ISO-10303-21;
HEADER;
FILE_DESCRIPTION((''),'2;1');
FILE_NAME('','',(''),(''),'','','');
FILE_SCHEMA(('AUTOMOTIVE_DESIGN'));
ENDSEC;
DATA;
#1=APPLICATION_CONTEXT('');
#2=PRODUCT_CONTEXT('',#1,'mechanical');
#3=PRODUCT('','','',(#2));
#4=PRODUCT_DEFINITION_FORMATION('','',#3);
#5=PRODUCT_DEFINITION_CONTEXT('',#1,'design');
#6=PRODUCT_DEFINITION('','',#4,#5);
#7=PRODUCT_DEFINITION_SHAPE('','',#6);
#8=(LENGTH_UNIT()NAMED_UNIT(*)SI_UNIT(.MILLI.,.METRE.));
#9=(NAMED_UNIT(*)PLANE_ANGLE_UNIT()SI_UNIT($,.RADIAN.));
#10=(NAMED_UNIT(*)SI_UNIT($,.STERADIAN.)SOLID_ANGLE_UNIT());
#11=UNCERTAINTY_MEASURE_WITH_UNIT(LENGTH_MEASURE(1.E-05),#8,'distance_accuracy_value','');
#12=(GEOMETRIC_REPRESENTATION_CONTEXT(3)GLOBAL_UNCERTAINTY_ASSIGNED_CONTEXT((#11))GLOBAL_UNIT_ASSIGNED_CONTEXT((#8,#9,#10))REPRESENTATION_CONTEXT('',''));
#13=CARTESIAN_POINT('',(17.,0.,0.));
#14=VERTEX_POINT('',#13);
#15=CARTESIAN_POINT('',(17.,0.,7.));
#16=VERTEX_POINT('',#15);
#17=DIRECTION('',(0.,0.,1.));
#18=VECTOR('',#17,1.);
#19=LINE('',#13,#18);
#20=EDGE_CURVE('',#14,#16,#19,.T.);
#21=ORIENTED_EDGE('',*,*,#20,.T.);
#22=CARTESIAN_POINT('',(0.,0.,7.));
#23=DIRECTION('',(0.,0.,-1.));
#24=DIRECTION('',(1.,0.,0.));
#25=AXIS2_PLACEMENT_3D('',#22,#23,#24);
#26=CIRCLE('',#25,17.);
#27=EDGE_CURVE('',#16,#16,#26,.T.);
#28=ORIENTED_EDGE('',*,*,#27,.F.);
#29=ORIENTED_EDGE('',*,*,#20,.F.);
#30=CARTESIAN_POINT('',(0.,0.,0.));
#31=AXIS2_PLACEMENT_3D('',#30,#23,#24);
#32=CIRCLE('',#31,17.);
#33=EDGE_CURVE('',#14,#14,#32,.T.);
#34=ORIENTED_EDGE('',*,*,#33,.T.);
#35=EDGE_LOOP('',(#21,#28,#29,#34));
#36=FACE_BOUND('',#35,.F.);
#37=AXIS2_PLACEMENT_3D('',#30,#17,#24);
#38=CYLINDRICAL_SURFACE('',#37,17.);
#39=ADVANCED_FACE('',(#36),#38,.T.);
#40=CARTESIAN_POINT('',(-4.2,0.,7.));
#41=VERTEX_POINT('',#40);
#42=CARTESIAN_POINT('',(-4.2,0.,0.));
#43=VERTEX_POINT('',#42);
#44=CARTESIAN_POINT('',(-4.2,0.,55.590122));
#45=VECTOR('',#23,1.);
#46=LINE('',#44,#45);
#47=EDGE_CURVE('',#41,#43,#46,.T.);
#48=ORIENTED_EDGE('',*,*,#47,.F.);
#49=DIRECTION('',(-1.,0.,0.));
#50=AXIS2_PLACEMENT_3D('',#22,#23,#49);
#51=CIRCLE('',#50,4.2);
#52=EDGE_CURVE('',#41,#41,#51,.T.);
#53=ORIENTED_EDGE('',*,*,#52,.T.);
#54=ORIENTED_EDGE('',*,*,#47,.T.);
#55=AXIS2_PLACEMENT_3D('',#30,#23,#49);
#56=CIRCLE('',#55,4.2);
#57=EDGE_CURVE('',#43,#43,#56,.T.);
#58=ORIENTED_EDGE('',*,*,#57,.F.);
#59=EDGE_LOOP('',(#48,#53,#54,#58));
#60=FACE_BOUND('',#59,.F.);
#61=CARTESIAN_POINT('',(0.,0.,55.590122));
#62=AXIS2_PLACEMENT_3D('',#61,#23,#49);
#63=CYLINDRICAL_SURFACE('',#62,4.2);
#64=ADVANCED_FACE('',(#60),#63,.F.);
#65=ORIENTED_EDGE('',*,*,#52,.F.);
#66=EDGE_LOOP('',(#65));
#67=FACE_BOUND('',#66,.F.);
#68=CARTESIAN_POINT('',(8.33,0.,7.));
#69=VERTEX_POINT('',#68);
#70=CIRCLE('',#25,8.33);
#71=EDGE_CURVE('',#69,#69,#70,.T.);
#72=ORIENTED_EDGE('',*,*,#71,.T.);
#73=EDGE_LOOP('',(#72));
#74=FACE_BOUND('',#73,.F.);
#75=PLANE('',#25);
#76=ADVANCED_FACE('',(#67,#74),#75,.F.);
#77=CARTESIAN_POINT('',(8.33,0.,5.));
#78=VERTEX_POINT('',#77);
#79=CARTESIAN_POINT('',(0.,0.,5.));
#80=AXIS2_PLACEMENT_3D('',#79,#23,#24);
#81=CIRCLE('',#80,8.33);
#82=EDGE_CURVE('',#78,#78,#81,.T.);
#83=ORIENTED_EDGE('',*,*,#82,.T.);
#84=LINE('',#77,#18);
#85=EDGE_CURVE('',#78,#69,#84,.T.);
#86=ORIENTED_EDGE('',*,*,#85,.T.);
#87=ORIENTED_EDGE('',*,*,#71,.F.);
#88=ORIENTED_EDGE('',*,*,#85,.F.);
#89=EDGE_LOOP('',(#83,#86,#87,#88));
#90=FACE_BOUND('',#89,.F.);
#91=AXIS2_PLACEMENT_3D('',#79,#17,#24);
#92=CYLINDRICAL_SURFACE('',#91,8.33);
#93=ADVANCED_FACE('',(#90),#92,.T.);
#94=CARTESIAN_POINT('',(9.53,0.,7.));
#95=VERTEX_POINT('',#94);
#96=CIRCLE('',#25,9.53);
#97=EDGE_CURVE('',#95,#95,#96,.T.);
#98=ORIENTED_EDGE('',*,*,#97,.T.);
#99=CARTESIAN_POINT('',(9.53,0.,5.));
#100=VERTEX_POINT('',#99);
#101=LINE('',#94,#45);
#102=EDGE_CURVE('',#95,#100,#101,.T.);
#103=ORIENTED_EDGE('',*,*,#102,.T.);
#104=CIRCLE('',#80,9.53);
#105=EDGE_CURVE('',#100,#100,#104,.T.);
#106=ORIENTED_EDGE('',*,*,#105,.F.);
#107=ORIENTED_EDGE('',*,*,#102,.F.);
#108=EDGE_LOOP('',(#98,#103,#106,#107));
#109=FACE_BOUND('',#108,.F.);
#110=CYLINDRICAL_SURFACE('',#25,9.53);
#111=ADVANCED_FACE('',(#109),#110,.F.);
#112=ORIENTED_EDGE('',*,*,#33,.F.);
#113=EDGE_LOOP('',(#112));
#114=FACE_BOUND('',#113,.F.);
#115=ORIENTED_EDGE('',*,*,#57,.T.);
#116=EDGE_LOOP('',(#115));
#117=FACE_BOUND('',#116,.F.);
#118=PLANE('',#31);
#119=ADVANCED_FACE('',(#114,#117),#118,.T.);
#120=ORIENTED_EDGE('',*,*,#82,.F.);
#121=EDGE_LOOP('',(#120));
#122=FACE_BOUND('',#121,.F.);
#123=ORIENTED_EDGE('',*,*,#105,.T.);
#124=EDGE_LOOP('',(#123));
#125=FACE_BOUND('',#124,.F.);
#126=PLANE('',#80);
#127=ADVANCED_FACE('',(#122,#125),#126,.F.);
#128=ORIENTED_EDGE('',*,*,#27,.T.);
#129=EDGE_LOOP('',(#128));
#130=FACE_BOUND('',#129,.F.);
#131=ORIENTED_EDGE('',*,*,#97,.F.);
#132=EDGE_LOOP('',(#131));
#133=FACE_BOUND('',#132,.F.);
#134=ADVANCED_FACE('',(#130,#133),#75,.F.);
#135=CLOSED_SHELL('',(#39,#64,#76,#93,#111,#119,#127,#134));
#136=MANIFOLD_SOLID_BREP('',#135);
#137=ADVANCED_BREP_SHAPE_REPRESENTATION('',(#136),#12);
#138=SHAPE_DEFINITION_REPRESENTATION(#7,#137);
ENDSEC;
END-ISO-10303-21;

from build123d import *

# Parameters (mm, degrees)
F3_D = 8.4


with BuildPart() as f1:
    # F0 (on Front) → F1 (revolve)
    with BuildSketch(Plane.XZ):
        Polygon((0, 7), (0, 0), (17, 0), (17, 7), (9.53, 7), (9.53, 5), (8.33, 5), (8.33, 7), align=None)
    revolve(axis=Axis((0, 0, 4.9481496681), (0, 0, -1)))

    # F3 (through all)
    with Locations(Plane.XY.offset(7)):
        with Locations((0, 0)):
            Hole(F3_D / 2)


solid = f1.part
